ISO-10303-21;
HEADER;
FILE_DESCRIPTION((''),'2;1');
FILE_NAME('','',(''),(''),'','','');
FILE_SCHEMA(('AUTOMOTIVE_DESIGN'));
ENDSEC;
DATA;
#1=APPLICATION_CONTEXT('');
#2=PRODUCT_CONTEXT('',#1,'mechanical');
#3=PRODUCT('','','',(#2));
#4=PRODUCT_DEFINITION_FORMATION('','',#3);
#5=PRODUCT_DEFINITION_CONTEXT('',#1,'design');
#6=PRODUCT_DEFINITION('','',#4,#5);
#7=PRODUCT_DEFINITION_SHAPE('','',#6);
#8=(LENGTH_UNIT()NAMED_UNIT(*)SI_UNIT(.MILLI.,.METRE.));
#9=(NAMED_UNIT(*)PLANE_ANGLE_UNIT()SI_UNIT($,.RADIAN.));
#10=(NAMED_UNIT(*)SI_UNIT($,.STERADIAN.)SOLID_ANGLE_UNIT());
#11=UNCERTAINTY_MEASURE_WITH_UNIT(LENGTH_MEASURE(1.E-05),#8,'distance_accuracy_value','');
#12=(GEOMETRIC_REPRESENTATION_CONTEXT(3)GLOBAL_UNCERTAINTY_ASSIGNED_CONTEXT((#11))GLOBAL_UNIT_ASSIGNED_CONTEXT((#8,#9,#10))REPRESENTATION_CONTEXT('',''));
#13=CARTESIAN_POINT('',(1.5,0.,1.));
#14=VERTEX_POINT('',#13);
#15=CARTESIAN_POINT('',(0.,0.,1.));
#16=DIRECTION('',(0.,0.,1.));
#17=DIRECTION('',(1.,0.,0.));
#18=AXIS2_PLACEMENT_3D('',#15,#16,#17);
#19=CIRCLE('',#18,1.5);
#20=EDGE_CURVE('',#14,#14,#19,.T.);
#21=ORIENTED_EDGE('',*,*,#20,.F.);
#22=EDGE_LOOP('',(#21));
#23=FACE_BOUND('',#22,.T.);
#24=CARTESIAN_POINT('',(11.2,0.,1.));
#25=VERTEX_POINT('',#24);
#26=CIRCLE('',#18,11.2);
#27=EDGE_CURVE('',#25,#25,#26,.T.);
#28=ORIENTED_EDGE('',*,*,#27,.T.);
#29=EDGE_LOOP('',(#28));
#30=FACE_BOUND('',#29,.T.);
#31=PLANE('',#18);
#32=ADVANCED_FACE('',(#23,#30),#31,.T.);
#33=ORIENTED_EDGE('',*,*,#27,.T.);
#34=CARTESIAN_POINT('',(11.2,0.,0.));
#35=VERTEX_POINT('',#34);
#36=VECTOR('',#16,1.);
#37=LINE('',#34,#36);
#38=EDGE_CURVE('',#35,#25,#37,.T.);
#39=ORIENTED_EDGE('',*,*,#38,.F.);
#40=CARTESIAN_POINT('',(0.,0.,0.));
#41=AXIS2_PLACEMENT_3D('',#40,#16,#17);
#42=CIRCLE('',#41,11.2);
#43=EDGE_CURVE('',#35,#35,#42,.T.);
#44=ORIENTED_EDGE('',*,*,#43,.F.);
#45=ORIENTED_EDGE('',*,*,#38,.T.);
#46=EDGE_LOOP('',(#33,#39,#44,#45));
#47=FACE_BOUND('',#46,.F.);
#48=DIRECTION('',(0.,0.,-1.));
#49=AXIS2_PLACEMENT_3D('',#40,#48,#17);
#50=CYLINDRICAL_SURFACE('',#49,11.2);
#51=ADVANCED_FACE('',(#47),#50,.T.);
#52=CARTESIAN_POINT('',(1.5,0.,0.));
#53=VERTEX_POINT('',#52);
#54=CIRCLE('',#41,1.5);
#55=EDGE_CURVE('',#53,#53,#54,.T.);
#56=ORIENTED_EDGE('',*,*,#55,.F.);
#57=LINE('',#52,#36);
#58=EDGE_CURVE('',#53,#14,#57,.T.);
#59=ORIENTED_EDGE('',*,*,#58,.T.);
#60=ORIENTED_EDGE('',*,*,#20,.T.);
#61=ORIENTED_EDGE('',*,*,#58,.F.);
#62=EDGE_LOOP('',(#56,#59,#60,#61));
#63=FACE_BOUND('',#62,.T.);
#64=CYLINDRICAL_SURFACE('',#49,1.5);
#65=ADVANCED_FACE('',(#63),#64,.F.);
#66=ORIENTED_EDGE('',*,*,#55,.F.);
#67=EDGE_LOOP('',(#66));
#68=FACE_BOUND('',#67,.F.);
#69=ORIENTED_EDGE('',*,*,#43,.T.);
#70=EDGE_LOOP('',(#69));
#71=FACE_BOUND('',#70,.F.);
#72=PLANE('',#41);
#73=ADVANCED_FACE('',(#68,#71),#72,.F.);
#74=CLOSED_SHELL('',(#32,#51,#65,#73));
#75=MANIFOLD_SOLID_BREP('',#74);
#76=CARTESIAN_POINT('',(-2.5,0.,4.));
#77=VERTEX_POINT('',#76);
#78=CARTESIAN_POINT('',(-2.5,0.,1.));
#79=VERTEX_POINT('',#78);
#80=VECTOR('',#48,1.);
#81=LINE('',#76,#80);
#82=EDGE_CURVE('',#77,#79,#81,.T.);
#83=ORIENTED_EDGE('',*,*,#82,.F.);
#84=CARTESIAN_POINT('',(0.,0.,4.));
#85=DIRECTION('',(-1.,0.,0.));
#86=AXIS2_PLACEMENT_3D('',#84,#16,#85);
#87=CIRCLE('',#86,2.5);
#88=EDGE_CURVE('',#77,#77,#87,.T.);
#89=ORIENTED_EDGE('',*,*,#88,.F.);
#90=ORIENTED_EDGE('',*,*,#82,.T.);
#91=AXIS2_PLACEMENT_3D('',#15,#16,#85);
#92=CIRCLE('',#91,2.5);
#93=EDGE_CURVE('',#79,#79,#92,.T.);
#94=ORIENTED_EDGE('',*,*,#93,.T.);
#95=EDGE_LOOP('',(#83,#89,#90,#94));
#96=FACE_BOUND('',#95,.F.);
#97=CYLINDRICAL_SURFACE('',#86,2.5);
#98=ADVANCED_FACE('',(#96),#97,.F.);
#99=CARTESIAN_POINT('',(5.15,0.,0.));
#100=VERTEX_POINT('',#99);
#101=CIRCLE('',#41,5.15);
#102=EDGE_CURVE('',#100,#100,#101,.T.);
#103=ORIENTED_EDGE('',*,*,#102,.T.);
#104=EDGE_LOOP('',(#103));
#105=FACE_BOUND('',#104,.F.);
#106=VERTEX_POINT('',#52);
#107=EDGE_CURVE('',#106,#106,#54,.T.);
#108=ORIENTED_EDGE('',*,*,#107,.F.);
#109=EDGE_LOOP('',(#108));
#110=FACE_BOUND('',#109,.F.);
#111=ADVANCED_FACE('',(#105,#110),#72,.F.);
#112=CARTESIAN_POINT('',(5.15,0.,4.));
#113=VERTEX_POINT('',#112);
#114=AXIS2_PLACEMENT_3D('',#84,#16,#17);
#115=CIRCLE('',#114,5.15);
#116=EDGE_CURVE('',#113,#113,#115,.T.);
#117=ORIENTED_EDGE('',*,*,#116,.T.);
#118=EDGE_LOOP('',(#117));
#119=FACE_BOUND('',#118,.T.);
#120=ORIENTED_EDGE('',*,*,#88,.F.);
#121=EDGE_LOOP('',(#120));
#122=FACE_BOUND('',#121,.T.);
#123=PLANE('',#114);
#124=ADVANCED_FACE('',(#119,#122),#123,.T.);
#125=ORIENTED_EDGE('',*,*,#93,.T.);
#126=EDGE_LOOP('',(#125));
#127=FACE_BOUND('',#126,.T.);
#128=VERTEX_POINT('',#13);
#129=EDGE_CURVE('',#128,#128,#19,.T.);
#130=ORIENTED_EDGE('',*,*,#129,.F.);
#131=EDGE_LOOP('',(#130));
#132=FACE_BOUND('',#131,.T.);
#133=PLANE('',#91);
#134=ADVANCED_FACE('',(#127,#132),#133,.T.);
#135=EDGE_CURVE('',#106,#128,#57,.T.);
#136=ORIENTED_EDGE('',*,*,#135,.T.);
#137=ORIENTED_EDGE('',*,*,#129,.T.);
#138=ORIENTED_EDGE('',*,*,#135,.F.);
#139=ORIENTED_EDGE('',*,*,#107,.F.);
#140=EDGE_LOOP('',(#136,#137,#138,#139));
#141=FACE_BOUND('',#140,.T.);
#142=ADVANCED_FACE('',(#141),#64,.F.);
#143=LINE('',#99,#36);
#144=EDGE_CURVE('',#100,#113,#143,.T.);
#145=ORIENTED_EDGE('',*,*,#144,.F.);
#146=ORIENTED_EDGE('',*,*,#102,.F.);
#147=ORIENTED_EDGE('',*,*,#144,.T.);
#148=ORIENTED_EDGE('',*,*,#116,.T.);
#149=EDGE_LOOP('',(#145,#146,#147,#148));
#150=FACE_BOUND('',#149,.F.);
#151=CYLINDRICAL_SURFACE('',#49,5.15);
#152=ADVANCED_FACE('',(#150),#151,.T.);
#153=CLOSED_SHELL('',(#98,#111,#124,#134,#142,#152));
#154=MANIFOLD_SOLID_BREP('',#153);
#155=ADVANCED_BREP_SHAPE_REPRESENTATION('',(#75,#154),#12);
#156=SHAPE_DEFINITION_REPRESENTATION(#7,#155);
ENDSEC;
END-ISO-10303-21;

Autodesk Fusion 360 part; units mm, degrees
sketch "Sketch1" plane through (0, 0, 0) normal (0, 0, 1) x (1, 0, 0)
  circle A0 centre (0, 0) radius 11.2
  circle A1 centre (0, 0) radius 5.15
  circle A2 centre (0, 0) radius 1.5
  dimension "d1" = 22.4
  dimension "d2" = 10.3
  dimension "d3" = 3
extrude "Extrude1" add sketch "Sketch1" along normal blind 1 contours A0 | A1 makes body 1
extrude "Extrude2" add sketch "Sketch1" along normal blind 4 separate body contours A1 makes body 2
sketch "Sketch2" plane through (0, 0, 4) normal (0, 0, 1) x (-1, 0, 0)
  circle A0 centre (0, 0) radius 1.5
  circle A1 centre (0, 0) radius 5.15
  circle A2 centre (0, 0) radius 2.5
  dimension "d8" = 5
extrude "Extrude3" cut sketch "Sketch2" against normal blind 3 contours A2 bodies 2
